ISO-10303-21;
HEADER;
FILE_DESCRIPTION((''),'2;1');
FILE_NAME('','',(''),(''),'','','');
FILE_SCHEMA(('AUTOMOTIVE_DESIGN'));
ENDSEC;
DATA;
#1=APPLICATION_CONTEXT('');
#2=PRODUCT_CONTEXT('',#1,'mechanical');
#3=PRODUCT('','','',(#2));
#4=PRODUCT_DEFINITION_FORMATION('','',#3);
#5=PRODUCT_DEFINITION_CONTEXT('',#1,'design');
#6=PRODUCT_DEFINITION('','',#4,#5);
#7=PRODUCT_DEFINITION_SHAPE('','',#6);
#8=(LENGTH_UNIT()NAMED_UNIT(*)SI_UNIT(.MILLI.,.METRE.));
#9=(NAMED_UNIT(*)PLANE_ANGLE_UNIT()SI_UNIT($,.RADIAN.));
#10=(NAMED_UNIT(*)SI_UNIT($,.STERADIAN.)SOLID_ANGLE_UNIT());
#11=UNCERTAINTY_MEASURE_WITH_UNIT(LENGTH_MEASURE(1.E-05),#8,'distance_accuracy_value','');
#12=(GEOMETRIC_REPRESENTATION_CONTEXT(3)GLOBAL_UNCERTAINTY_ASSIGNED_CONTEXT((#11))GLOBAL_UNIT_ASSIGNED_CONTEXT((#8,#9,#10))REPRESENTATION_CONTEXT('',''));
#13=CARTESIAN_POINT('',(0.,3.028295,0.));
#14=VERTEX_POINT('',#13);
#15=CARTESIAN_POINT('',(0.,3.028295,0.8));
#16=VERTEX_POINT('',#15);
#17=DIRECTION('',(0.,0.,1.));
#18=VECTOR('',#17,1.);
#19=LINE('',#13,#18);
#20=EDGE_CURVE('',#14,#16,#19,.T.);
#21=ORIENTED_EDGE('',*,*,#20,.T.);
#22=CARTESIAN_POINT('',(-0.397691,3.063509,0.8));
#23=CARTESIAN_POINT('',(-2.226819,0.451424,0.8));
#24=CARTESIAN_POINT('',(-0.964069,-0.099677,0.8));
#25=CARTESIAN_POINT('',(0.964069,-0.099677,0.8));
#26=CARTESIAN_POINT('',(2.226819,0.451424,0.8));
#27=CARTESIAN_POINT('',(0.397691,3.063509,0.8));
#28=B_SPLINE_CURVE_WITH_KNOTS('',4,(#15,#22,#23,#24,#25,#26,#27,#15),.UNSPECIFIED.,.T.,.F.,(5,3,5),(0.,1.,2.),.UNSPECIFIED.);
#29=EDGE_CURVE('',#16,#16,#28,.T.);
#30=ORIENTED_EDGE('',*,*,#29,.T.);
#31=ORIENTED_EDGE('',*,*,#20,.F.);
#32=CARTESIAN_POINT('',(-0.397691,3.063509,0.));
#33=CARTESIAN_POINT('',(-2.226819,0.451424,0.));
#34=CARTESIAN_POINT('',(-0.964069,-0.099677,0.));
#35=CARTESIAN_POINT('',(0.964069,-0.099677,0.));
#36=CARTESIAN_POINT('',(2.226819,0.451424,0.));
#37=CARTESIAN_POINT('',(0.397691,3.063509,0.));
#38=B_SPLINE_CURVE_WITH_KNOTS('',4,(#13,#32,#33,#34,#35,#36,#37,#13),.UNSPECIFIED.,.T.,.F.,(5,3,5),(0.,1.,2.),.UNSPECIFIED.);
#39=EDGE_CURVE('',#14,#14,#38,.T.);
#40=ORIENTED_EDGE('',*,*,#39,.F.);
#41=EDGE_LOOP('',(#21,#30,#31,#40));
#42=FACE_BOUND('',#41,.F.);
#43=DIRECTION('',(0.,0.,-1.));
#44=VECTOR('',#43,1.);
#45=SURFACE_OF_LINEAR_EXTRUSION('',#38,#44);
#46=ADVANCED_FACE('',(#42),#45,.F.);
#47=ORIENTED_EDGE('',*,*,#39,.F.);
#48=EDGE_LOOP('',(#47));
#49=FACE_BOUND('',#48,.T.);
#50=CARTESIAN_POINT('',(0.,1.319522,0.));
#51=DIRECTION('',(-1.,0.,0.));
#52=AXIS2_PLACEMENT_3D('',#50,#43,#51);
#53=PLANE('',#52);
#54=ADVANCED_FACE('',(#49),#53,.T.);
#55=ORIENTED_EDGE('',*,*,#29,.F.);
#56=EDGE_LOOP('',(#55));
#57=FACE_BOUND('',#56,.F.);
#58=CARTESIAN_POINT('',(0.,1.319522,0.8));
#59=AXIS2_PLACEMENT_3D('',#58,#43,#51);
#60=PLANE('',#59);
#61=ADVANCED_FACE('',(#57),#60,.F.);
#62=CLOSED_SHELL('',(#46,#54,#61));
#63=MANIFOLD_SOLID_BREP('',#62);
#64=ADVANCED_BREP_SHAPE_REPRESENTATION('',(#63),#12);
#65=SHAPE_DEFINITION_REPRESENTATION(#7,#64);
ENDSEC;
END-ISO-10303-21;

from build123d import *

# Parameters (mm, degrees)
PAD_DEPTH = 0.8


with BuildPart() as part:
    # Sketch → Pad (new body)
    with BuildSketch(Plane.XY):
        with BuildLine():
            add(Edge.make_bspline(
                [(0, 3.028295), (0.397691, 3.063509), (2.226819, 0.451424), (0.964069, -0.099677), (0, -0.099677)],
                knots=[0, 0, 0, 0, 0, 1, 1, 1, 1, 1], degree=4))
            add(Edge.make_bspline(
                [(0, 3.028295), (-0.397691, 3.063509), (-2.226819, 0.451424), (-0.964069, -0.099677), (0, -0.099677)],
                knots=[0, 0, 0, 0, 0, 1, 1, 1, 1, 1], degree=4))
        make_face()
    extrude(amount=PAD_DEPTH)


solid = part.part
